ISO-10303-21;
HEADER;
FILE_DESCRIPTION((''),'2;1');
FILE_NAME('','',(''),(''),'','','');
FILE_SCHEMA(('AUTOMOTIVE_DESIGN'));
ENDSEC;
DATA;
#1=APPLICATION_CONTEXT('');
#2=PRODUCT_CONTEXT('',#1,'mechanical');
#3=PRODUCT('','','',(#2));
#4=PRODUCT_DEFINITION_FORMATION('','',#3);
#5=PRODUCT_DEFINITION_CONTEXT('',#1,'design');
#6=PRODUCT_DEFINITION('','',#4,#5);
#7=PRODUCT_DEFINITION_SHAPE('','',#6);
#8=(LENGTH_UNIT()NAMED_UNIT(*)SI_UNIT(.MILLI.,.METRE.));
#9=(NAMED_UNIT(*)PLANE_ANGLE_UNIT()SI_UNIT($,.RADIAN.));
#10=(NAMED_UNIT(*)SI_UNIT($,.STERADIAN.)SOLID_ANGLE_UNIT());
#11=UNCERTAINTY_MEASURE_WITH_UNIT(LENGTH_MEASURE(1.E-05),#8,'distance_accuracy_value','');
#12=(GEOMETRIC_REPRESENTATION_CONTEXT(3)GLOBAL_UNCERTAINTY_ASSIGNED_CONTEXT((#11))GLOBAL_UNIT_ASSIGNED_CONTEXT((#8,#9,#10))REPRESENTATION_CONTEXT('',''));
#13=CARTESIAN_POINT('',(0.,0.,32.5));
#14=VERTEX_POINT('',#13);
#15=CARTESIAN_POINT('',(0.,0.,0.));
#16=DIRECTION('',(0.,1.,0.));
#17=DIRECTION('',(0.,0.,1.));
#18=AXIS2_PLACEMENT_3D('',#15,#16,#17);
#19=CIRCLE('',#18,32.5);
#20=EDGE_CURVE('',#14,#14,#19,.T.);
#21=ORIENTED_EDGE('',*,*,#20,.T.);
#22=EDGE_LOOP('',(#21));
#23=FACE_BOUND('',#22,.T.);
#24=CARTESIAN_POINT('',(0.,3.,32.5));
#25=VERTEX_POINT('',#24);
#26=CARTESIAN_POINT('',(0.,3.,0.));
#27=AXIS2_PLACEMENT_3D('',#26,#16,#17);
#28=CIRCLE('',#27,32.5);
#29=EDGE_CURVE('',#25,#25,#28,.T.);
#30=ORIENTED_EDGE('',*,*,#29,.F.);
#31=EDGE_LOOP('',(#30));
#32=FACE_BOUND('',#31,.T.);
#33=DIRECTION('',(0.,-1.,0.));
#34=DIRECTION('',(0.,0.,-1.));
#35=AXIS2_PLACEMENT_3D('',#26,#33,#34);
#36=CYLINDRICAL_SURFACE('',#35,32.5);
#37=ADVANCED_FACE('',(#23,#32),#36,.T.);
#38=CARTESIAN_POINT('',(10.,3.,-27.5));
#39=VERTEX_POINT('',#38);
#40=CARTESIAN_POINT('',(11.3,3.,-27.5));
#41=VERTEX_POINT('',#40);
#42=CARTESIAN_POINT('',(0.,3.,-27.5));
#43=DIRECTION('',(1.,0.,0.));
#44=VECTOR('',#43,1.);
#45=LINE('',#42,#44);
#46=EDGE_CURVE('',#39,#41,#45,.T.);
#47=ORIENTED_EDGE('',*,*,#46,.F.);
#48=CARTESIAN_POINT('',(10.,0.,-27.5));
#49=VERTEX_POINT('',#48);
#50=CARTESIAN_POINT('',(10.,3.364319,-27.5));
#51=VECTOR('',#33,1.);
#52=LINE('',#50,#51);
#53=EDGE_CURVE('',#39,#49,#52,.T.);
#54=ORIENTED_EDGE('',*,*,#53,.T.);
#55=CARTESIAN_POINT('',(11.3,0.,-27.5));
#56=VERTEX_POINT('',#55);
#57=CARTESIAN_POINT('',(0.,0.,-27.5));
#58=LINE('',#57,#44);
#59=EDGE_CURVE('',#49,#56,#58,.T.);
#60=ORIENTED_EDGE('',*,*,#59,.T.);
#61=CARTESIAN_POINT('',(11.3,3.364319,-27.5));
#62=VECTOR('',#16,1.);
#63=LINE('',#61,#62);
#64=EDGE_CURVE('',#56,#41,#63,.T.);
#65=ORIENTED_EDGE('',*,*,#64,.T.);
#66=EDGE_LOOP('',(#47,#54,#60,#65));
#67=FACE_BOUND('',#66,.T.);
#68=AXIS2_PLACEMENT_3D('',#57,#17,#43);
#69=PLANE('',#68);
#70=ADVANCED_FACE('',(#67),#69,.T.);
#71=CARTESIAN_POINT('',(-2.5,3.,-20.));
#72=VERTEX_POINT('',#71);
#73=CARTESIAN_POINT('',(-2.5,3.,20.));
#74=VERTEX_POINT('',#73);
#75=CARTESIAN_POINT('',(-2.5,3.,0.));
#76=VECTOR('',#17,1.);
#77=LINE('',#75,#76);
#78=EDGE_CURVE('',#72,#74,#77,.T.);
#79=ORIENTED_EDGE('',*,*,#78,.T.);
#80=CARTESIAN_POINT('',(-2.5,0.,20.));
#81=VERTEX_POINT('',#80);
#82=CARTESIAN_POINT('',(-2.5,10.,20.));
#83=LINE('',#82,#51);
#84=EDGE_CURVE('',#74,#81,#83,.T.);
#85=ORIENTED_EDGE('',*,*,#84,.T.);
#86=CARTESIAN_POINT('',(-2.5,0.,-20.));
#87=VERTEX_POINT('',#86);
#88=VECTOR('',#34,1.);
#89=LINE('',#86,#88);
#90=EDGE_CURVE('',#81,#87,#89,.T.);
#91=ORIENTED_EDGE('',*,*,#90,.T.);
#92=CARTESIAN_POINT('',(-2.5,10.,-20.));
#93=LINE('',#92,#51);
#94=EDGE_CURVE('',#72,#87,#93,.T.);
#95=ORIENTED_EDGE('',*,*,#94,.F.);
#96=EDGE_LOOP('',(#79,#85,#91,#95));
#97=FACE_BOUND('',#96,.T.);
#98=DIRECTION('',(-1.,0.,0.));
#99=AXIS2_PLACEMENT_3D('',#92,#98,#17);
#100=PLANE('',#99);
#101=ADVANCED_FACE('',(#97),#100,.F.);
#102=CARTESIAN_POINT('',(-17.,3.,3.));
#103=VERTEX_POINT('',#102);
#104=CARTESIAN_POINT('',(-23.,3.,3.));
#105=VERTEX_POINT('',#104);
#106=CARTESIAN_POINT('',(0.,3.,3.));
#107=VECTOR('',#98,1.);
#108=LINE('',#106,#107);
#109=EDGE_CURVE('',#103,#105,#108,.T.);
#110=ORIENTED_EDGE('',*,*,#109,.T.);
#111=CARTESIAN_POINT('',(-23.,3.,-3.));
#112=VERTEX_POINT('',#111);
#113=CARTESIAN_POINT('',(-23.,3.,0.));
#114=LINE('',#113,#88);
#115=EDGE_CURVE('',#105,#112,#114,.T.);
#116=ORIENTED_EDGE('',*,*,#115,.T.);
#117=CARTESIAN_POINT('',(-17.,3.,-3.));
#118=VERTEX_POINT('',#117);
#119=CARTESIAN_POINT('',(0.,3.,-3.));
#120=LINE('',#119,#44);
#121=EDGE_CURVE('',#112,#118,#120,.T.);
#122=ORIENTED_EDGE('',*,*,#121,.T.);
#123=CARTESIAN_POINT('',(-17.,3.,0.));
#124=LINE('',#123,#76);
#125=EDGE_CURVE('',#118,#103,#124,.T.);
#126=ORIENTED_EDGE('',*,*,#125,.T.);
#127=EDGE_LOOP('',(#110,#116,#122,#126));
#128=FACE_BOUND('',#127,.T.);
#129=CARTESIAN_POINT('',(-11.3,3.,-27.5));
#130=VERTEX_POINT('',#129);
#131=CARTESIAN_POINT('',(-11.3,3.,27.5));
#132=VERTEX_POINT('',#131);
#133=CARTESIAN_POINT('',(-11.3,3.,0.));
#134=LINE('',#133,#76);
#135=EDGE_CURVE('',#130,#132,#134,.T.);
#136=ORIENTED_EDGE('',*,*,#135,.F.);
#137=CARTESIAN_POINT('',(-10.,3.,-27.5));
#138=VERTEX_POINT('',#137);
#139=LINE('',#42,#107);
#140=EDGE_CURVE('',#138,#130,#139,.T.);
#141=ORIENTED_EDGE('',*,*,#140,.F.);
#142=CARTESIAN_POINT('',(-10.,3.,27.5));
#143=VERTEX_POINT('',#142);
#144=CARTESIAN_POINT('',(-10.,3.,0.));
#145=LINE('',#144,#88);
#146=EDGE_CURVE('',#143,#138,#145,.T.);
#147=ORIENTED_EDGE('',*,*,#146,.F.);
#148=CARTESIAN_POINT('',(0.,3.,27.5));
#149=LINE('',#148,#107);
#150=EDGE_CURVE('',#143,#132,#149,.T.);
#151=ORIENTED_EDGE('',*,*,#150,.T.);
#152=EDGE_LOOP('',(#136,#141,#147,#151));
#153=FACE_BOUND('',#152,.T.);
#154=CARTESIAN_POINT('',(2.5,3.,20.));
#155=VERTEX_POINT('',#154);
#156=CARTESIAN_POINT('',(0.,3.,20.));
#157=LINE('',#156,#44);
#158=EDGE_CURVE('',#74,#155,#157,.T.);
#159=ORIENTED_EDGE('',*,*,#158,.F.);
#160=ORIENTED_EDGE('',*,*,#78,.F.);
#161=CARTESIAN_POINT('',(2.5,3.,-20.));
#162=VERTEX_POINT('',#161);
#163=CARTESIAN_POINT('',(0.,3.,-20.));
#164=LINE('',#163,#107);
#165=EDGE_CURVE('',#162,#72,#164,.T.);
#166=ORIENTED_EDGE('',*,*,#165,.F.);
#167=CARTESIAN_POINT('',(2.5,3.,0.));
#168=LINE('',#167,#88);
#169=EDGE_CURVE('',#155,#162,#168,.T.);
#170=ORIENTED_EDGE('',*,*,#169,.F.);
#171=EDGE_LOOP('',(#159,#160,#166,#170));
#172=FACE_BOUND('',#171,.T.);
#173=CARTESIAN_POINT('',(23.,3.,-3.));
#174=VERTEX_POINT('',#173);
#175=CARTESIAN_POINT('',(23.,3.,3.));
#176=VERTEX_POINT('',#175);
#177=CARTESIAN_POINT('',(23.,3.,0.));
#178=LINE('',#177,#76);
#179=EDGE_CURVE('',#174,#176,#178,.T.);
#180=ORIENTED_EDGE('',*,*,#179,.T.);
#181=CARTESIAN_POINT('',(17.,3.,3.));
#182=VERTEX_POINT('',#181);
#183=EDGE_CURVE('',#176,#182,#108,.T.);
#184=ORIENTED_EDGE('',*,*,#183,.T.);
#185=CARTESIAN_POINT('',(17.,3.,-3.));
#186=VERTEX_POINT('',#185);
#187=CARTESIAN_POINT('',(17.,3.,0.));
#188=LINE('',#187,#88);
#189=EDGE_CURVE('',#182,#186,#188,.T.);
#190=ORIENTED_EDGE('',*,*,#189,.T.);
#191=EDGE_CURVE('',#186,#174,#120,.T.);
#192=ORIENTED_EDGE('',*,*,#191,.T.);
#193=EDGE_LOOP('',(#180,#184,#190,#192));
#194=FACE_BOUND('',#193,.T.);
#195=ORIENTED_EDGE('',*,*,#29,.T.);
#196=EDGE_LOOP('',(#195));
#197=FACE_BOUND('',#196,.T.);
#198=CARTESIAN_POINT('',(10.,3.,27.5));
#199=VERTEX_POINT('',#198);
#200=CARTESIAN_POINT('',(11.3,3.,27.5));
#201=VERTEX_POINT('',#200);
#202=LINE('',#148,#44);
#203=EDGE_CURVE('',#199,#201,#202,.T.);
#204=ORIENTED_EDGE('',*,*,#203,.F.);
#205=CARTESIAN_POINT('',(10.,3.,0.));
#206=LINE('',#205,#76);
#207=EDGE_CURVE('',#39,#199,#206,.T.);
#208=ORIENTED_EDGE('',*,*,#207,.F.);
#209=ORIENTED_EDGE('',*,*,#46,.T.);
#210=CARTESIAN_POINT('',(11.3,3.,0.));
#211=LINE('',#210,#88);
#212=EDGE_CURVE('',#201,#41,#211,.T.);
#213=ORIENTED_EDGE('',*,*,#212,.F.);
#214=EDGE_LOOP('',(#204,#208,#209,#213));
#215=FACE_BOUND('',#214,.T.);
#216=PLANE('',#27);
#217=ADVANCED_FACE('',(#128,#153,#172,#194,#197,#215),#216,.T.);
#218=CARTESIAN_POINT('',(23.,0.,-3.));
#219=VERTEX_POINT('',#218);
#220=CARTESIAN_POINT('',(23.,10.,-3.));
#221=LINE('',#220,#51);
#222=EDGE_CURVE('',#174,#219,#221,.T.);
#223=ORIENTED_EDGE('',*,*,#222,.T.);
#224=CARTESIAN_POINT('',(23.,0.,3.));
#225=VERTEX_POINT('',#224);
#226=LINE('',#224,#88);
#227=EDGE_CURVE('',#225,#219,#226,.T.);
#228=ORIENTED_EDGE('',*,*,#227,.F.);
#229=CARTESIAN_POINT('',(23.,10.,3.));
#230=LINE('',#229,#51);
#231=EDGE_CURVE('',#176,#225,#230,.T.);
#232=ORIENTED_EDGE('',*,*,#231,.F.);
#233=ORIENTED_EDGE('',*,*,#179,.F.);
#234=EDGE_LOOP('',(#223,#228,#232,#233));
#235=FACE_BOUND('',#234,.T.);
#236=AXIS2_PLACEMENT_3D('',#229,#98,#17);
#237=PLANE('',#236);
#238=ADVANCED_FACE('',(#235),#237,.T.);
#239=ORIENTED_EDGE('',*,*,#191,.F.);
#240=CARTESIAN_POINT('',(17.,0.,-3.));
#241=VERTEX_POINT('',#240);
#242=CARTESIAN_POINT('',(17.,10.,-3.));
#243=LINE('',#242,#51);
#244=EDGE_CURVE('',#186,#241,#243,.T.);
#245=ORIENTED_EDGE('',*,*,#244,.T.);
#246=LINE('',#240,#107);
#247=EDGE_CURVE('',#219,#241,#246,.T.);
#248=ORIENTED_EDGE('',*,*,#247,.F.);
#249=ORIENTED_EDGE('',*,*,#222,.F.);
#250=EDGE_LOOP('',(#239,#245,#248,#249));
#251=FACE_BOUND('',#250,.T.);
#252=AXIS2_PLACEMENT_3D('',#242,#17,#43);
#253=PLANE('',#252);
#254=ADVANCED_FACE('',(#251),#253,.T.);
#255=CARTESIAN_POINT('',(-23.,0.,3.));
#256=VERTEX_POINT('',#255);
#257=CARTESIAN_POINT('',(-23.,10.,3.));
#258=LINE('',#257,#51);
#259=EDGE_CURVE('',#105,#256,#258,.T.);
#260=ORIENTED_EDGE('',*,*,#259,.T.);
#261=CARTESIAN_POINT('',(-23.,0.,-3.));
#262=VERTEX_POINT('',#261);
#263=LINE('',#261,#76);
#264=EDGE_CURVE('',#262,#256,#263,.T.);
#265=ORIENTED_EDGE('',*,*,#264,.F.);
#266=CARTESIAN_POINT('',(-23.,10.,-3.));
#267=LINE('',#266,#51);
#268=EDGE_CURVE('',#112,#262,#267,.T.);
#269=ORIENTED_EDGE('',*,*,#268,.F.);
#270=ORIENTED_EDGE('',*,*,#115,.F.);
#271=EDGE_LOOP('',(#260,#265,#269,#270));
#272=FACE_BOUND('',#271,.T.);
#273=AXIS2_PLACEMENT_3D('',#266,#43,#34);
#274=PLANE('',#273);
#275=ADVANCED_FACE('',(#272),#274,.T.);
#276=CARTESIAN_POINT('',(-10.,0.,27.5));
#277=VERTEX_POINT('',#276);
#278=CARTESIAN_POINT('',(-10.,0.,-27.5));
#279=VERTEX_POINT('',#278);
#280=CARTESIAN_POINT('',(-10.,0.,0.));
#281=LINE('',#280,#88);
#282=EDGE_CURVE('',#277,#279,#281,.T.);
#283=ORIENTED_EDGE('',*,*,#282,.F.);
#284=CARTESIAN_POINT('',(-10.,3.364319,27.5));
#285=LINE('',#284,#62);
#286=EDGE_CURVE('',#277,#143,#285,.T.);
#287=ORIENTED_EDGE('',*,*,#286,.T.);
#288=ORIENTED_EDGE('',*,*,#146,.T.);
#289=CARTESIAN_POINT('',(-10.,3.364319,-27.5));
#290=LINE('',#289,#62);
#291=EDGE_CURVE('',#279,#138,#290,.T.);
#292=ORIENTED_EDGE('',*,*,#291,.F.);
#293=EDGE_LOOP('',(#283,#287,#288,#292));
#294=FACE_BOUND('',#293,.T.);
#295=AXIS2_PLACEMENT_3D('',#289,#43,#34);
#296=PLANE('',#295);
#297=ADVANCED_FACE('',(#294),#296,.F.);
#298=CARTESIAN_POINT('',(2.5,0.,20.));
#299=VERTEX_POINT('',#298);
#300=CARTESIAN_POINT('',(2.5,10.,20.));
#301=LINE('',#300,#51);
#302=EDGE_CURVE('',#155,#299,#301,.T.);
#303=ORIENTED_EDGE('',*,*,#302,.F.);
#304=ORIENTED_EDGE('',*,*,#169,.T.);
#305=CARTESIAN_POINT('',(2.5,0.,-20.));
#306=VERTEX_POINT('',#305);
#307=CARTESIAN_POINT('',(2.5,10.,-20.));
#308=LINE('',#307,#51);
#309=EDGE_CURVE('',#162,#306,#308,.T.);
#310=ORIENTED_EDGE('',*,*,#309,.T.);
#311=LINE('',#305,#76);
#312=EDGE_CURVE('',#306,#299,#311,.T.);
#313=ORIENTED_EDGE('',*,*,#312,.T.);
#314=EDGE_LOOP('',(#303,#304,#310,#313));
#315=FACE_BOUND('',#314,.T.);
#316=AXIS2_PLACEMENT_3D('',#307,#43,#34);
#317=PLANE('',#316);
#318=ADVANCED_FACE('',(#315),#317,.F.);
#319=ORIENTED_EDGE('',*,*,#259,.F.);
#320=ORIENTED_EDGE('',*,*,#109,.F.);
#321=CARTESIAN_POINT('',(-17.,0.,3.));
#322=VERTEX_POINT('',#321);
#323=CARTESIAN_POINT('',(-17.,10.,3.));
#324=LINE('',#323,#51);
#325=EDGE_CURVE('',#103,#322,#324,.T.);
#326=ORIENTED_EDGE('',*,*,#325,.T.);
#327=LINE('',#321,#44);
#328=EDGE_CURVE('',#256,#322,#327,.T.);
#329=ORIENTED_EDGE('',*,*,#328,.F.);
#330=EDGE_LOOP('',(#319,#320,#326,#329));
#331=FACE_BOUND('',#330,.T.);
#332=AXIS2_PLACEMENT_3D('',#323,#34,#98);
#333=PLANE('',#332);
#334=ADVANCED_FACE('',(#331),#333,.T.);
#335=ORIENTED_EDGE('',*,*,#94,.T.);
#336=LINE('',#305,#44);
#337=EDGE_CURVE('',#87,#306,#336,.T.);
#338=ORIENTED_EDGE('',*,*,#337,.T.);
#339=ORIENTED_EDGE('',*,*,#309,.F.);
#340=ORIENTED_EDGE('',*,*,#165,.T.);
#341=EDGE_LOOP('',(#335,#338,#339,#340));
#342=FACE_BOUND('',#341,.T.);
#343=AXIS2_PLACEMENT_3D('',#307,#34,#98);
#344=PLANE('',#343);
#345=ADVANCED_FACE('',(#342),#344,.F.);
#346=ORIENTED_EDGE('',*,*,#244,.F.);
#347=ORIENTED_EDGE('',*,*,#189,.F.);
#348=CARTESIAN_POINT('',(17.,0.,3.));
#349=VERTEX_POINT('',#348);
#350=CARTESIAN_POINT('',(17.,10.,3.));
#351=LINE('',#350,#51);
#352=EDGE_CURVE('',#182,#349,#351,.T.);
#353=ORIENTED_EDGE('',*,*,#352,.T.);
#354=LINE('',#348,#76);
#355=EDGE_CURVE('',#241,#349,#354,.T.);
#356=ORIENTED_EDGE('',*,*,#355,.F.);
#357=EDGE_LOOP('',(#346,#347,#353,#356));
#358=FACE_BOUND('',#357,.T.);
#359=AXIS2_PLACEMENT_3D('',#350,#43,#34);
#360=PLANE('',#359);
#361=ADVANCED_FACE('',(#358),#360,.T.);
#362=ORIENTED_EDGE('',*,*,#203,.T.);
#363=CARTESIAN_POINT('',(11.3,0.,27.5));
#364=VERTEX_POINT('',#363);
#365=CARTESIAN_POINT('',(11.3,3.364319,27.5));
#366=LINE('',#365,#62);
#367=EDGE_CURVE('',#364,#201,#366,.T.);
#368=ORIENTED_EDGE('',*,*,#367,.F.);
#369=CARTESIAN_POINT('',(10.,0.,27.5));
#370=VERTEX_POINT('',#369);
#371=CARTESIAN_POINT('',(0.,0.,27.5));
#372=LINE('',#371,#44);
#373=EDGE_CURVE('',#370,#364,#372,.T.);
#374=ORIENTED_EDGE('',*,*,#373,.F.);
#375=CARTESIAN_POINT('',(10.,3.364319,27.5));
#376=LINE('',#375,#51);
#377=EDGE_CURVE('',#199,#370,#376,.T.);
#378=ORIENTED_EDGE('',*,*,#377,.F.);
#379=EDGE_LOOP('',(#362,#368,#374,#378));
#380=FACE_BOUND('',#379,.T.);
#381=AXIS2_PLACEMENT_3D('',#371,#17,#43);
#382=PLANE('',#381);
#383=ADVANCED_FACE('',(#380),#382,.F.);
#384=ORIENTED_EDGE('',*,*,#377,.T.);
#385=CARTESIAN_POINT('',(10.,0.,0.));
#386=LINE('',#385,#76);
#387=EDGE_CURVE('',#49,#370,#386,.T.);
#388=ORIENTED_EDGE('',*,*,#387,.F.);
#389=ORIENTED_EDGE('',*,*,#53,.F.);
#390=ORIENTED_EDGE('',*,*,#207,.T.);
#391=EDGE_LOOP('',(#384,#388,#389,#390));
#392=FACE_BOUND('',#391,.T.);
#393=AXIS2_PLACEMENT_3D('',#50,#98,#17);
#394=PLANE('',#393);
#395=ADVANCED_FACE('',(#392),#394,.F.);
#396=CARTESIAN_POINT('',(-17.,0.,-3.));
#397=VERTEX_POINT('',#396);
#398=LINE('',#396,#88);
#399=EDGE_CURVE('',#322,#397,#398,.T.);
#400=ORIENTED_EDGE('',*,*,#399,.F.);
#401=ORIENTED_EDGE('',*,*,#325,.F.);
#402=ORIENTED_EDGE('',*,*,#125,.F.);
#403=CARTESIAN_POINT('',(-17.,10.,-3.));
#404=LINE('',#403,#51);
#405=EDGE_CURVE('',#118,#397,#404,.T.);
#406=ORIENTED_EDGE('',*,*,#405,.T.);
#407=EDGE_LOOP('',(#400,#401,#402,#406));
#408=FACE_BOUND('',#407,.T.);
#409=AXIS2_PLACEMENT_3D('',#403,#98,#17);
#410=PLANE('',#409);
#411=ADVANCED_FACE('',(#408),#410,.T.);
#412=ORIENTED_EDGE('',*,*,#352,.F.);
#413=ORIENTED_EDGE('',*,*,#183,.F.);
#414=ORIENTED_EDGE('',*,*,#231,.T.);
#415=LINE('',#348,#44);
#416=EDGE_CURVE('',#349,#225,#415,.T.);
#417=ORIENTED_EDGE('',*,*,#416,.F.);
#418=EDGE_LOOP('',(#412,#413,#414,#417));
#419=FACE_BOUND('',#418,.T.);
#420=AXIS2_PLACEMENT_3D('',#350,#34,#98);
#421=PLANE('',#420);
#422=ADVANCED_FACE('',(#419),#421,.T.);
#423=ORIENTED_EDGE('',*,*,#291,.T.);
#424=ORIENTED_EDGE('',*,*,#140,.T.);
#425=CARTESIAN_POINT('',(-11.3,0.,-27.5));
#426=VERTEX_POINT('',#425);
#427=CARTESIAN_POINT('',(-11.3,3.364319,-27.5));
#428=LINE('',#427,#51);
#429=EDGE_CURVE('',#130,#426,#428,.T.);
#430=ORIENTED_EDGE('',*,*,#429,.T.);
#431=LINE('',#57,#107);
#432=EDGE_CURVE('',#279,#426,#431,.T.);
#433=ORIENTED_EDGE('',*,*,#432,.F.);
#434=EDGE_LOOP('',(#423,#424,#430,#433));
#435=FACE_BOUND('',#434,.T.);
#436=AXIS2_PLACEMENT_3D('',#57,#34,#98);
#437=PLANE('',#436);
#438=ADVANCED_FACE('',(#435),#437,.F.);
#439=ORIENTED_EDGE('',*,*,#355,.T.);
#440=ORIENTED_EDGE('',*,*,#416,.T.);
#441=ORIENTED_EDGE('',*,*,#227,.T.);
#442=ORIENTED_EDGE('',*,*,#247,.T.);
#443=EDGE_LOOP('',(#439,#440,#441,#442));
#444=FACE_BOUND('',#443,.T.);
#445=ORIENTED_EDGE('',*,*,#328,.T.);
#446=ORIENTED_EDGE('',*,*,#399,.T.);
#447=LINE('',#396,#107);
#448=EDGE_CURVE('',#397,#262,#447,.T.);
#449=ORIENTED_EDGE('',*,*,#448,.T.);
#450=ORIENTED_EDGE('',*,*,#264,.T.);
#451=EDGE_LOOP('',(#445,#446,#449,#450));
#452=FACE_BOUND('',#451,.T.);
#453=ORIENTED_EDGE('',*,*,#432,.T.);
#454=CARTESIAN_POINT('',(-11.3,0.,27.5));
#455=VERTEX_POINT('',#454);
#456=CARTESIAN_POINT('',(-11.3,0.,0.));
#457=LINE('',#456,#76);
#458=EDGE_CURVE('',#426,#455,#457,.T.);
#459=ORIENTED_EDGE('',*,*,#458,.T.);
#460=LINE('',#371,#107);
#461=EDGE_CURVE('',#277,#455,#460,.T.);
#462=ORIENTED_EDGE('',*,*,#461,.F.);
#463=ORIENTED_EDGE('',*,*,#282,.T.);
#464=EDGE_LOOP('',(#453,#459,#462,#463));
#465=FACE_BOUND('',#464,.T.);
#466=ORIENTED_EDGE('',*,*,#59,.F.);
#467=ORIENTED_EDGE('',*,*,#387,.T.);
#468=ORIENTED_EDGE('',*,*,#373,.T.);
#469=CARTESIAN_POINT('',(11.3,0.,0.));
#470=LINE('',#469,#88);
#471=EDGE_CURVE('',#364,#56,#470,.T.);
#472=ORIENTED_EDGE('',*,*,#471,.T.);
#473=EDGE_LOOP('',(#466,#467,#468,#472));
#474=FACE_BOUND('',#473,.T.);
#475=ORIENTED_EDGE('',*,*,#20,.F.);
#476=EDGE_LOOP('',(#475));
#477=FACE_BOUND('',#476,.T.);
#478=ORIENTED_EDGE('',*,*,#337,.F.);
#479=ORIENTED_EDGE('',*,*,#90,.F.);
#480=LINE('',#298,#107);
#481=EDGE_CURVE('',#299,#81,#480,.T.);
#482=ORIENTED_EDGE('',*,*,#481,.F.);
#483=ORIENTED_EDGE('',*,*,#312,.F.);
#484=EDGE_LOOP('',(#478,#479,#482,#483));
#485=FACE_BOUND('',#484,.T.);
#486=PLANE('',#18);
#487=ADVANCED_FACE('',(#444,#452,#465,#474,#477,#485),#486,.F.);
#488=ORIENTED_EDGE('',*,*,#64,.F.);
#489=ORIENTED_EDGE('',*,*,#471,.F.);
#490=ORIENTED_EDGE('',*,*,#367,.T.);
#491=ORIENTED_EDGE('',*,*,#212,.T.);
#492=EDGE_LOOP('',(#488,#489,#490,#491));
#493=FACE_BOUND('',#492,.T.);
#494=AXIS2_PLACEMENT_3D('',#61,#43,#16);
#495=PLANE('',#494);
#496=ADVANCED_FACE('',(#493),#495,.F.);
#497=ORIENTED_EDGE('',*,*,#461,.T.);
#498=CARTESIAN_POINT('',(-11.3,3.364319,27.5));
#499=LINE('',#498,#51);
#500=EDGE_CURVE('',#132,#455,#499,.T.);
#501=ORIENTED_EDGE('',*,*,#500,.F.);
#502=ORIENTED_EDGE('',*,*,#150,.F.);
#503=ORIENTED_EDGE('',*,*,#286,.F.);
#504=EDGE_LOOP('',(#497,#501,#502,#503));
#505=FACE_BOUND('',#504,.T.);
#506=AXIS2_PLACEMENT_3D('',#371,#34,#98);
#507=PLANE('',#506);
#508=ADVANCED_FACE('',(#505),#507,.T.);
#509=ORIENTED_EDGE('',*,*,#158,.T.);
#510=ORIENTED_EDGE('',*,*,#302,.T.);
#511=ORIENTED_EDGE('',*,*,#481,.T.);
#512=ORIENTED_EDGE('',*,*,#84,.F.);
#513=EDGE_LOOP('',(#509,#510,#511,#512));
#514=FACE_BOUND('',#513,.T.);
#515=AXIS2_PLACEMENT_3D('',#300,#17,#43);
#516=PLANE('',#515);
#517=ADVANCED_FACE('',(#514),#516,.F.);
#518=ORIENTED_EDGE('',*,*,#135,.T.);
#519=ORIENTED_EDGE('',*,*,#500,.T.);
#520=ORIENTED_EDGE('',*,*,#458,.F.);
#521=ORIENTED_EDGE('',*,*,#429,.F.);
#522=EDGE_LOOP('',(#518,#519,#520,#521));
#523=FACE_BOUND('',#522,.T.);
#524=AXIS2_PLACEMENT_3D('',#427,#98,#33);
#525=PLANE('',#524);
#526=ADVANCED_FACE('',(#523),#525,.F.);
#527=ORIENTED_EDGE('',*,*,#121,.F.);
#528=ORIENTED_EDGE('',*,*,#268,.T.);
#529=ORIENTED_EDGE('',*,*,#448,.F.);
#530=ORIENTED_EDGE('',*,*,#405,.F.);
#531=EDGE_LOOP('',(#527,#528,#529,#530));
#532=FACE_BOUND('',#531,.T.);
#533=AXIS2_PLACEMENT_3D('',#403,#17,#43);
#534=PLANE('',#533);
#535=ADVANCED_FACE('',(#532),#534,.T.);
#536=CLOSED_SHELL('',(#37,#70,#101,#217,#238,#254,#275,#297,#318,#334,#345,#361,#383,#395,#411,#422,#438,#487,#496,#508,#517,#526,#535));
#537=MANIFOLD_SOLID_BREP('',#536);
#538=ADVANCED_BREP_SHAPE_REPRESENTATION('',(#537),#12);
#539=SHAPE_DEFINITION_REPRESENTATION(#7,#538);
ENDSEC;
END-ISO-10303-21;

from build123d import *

# Parameters (mm, degrees)
SKETCH1_R               = 32.5
BOSS_EXTRUDE1_DEPTH     = 3
CUT_EXTRUDE1_DEPTH      = 27.5
CUT_EXTRUDE1_DEPTH_BACK = 27.5
SKETCH2_W               = 1.3
SKETCH2_H               = 6.728638504
SKETCH3_W               = 6
SKETCH3_H               = 6
CUT_EXTRUDE2_DEPTH      = 10
SKETCH4_W               = 5
SKETCH4_H               = 40
CUT_EXTRUDE3_DEPTH      = 10


with BuildPart() as part:
    # Sketch1 → Boss-Extrude1 (new body)
    with BuildSketch(Plane(origin=(0, 0, 0), x_dir=(1, 0, 0), z_dir=(0, 1, 0))):
        Circle(SKETCH1_R)
    extrude(amount=BOSS_EXTRUDE1_DEPTH)

    # Sketch2 → Cut-Extrude1 (cut, two sides: drawn at the far end of the back side and taken through both)
    with BuildSketch(Plane.XY.offset(-CUT_EXTRUDE1_DEPTH_BACK)):
        with Locations((-10.65, 0)):
            Rectangle(SKETCH2_W, SKETCH2_H)
        with Locations((10.65, 0)):
            Rectangle(SKETCH2_W, SKETCH2_H)
    extrude(amount=CUT_EXTRUDE1_DEPTH + CUT_EXTRUDE1_DEPTH_BACK, mode=Mode.SUBTRACT)

    # Sketch3 → Cut-Extrude2 (cut)
    with BuildSketch(Plane(origin=(0, 0, 0), x_dir=(1, 0, 0), z_dir=(0, 1, 0))):
        with Locations((-20, 0)):
            Rectangle(SKETCH3_W, SKETCH3_H)
        with Locations((20, 0)):
            Rectangle(SKETCH3_W, SKETCH3_H)
    extrude(amount=CUT_EXTRUDE2_DEPTH, mode=Mode.SUBTRACT)

    # Sketch4 → Cut-Extrude3 (cut)
    with BuildSketch(Plane.XZ):
        Rectangle(SKETCH4_W, SKETCH4_H)
    extrude(amount=-CUT_EXTRUDE3_DEPTH, mode=Mode.SUBTRACT)


solid = part.part
